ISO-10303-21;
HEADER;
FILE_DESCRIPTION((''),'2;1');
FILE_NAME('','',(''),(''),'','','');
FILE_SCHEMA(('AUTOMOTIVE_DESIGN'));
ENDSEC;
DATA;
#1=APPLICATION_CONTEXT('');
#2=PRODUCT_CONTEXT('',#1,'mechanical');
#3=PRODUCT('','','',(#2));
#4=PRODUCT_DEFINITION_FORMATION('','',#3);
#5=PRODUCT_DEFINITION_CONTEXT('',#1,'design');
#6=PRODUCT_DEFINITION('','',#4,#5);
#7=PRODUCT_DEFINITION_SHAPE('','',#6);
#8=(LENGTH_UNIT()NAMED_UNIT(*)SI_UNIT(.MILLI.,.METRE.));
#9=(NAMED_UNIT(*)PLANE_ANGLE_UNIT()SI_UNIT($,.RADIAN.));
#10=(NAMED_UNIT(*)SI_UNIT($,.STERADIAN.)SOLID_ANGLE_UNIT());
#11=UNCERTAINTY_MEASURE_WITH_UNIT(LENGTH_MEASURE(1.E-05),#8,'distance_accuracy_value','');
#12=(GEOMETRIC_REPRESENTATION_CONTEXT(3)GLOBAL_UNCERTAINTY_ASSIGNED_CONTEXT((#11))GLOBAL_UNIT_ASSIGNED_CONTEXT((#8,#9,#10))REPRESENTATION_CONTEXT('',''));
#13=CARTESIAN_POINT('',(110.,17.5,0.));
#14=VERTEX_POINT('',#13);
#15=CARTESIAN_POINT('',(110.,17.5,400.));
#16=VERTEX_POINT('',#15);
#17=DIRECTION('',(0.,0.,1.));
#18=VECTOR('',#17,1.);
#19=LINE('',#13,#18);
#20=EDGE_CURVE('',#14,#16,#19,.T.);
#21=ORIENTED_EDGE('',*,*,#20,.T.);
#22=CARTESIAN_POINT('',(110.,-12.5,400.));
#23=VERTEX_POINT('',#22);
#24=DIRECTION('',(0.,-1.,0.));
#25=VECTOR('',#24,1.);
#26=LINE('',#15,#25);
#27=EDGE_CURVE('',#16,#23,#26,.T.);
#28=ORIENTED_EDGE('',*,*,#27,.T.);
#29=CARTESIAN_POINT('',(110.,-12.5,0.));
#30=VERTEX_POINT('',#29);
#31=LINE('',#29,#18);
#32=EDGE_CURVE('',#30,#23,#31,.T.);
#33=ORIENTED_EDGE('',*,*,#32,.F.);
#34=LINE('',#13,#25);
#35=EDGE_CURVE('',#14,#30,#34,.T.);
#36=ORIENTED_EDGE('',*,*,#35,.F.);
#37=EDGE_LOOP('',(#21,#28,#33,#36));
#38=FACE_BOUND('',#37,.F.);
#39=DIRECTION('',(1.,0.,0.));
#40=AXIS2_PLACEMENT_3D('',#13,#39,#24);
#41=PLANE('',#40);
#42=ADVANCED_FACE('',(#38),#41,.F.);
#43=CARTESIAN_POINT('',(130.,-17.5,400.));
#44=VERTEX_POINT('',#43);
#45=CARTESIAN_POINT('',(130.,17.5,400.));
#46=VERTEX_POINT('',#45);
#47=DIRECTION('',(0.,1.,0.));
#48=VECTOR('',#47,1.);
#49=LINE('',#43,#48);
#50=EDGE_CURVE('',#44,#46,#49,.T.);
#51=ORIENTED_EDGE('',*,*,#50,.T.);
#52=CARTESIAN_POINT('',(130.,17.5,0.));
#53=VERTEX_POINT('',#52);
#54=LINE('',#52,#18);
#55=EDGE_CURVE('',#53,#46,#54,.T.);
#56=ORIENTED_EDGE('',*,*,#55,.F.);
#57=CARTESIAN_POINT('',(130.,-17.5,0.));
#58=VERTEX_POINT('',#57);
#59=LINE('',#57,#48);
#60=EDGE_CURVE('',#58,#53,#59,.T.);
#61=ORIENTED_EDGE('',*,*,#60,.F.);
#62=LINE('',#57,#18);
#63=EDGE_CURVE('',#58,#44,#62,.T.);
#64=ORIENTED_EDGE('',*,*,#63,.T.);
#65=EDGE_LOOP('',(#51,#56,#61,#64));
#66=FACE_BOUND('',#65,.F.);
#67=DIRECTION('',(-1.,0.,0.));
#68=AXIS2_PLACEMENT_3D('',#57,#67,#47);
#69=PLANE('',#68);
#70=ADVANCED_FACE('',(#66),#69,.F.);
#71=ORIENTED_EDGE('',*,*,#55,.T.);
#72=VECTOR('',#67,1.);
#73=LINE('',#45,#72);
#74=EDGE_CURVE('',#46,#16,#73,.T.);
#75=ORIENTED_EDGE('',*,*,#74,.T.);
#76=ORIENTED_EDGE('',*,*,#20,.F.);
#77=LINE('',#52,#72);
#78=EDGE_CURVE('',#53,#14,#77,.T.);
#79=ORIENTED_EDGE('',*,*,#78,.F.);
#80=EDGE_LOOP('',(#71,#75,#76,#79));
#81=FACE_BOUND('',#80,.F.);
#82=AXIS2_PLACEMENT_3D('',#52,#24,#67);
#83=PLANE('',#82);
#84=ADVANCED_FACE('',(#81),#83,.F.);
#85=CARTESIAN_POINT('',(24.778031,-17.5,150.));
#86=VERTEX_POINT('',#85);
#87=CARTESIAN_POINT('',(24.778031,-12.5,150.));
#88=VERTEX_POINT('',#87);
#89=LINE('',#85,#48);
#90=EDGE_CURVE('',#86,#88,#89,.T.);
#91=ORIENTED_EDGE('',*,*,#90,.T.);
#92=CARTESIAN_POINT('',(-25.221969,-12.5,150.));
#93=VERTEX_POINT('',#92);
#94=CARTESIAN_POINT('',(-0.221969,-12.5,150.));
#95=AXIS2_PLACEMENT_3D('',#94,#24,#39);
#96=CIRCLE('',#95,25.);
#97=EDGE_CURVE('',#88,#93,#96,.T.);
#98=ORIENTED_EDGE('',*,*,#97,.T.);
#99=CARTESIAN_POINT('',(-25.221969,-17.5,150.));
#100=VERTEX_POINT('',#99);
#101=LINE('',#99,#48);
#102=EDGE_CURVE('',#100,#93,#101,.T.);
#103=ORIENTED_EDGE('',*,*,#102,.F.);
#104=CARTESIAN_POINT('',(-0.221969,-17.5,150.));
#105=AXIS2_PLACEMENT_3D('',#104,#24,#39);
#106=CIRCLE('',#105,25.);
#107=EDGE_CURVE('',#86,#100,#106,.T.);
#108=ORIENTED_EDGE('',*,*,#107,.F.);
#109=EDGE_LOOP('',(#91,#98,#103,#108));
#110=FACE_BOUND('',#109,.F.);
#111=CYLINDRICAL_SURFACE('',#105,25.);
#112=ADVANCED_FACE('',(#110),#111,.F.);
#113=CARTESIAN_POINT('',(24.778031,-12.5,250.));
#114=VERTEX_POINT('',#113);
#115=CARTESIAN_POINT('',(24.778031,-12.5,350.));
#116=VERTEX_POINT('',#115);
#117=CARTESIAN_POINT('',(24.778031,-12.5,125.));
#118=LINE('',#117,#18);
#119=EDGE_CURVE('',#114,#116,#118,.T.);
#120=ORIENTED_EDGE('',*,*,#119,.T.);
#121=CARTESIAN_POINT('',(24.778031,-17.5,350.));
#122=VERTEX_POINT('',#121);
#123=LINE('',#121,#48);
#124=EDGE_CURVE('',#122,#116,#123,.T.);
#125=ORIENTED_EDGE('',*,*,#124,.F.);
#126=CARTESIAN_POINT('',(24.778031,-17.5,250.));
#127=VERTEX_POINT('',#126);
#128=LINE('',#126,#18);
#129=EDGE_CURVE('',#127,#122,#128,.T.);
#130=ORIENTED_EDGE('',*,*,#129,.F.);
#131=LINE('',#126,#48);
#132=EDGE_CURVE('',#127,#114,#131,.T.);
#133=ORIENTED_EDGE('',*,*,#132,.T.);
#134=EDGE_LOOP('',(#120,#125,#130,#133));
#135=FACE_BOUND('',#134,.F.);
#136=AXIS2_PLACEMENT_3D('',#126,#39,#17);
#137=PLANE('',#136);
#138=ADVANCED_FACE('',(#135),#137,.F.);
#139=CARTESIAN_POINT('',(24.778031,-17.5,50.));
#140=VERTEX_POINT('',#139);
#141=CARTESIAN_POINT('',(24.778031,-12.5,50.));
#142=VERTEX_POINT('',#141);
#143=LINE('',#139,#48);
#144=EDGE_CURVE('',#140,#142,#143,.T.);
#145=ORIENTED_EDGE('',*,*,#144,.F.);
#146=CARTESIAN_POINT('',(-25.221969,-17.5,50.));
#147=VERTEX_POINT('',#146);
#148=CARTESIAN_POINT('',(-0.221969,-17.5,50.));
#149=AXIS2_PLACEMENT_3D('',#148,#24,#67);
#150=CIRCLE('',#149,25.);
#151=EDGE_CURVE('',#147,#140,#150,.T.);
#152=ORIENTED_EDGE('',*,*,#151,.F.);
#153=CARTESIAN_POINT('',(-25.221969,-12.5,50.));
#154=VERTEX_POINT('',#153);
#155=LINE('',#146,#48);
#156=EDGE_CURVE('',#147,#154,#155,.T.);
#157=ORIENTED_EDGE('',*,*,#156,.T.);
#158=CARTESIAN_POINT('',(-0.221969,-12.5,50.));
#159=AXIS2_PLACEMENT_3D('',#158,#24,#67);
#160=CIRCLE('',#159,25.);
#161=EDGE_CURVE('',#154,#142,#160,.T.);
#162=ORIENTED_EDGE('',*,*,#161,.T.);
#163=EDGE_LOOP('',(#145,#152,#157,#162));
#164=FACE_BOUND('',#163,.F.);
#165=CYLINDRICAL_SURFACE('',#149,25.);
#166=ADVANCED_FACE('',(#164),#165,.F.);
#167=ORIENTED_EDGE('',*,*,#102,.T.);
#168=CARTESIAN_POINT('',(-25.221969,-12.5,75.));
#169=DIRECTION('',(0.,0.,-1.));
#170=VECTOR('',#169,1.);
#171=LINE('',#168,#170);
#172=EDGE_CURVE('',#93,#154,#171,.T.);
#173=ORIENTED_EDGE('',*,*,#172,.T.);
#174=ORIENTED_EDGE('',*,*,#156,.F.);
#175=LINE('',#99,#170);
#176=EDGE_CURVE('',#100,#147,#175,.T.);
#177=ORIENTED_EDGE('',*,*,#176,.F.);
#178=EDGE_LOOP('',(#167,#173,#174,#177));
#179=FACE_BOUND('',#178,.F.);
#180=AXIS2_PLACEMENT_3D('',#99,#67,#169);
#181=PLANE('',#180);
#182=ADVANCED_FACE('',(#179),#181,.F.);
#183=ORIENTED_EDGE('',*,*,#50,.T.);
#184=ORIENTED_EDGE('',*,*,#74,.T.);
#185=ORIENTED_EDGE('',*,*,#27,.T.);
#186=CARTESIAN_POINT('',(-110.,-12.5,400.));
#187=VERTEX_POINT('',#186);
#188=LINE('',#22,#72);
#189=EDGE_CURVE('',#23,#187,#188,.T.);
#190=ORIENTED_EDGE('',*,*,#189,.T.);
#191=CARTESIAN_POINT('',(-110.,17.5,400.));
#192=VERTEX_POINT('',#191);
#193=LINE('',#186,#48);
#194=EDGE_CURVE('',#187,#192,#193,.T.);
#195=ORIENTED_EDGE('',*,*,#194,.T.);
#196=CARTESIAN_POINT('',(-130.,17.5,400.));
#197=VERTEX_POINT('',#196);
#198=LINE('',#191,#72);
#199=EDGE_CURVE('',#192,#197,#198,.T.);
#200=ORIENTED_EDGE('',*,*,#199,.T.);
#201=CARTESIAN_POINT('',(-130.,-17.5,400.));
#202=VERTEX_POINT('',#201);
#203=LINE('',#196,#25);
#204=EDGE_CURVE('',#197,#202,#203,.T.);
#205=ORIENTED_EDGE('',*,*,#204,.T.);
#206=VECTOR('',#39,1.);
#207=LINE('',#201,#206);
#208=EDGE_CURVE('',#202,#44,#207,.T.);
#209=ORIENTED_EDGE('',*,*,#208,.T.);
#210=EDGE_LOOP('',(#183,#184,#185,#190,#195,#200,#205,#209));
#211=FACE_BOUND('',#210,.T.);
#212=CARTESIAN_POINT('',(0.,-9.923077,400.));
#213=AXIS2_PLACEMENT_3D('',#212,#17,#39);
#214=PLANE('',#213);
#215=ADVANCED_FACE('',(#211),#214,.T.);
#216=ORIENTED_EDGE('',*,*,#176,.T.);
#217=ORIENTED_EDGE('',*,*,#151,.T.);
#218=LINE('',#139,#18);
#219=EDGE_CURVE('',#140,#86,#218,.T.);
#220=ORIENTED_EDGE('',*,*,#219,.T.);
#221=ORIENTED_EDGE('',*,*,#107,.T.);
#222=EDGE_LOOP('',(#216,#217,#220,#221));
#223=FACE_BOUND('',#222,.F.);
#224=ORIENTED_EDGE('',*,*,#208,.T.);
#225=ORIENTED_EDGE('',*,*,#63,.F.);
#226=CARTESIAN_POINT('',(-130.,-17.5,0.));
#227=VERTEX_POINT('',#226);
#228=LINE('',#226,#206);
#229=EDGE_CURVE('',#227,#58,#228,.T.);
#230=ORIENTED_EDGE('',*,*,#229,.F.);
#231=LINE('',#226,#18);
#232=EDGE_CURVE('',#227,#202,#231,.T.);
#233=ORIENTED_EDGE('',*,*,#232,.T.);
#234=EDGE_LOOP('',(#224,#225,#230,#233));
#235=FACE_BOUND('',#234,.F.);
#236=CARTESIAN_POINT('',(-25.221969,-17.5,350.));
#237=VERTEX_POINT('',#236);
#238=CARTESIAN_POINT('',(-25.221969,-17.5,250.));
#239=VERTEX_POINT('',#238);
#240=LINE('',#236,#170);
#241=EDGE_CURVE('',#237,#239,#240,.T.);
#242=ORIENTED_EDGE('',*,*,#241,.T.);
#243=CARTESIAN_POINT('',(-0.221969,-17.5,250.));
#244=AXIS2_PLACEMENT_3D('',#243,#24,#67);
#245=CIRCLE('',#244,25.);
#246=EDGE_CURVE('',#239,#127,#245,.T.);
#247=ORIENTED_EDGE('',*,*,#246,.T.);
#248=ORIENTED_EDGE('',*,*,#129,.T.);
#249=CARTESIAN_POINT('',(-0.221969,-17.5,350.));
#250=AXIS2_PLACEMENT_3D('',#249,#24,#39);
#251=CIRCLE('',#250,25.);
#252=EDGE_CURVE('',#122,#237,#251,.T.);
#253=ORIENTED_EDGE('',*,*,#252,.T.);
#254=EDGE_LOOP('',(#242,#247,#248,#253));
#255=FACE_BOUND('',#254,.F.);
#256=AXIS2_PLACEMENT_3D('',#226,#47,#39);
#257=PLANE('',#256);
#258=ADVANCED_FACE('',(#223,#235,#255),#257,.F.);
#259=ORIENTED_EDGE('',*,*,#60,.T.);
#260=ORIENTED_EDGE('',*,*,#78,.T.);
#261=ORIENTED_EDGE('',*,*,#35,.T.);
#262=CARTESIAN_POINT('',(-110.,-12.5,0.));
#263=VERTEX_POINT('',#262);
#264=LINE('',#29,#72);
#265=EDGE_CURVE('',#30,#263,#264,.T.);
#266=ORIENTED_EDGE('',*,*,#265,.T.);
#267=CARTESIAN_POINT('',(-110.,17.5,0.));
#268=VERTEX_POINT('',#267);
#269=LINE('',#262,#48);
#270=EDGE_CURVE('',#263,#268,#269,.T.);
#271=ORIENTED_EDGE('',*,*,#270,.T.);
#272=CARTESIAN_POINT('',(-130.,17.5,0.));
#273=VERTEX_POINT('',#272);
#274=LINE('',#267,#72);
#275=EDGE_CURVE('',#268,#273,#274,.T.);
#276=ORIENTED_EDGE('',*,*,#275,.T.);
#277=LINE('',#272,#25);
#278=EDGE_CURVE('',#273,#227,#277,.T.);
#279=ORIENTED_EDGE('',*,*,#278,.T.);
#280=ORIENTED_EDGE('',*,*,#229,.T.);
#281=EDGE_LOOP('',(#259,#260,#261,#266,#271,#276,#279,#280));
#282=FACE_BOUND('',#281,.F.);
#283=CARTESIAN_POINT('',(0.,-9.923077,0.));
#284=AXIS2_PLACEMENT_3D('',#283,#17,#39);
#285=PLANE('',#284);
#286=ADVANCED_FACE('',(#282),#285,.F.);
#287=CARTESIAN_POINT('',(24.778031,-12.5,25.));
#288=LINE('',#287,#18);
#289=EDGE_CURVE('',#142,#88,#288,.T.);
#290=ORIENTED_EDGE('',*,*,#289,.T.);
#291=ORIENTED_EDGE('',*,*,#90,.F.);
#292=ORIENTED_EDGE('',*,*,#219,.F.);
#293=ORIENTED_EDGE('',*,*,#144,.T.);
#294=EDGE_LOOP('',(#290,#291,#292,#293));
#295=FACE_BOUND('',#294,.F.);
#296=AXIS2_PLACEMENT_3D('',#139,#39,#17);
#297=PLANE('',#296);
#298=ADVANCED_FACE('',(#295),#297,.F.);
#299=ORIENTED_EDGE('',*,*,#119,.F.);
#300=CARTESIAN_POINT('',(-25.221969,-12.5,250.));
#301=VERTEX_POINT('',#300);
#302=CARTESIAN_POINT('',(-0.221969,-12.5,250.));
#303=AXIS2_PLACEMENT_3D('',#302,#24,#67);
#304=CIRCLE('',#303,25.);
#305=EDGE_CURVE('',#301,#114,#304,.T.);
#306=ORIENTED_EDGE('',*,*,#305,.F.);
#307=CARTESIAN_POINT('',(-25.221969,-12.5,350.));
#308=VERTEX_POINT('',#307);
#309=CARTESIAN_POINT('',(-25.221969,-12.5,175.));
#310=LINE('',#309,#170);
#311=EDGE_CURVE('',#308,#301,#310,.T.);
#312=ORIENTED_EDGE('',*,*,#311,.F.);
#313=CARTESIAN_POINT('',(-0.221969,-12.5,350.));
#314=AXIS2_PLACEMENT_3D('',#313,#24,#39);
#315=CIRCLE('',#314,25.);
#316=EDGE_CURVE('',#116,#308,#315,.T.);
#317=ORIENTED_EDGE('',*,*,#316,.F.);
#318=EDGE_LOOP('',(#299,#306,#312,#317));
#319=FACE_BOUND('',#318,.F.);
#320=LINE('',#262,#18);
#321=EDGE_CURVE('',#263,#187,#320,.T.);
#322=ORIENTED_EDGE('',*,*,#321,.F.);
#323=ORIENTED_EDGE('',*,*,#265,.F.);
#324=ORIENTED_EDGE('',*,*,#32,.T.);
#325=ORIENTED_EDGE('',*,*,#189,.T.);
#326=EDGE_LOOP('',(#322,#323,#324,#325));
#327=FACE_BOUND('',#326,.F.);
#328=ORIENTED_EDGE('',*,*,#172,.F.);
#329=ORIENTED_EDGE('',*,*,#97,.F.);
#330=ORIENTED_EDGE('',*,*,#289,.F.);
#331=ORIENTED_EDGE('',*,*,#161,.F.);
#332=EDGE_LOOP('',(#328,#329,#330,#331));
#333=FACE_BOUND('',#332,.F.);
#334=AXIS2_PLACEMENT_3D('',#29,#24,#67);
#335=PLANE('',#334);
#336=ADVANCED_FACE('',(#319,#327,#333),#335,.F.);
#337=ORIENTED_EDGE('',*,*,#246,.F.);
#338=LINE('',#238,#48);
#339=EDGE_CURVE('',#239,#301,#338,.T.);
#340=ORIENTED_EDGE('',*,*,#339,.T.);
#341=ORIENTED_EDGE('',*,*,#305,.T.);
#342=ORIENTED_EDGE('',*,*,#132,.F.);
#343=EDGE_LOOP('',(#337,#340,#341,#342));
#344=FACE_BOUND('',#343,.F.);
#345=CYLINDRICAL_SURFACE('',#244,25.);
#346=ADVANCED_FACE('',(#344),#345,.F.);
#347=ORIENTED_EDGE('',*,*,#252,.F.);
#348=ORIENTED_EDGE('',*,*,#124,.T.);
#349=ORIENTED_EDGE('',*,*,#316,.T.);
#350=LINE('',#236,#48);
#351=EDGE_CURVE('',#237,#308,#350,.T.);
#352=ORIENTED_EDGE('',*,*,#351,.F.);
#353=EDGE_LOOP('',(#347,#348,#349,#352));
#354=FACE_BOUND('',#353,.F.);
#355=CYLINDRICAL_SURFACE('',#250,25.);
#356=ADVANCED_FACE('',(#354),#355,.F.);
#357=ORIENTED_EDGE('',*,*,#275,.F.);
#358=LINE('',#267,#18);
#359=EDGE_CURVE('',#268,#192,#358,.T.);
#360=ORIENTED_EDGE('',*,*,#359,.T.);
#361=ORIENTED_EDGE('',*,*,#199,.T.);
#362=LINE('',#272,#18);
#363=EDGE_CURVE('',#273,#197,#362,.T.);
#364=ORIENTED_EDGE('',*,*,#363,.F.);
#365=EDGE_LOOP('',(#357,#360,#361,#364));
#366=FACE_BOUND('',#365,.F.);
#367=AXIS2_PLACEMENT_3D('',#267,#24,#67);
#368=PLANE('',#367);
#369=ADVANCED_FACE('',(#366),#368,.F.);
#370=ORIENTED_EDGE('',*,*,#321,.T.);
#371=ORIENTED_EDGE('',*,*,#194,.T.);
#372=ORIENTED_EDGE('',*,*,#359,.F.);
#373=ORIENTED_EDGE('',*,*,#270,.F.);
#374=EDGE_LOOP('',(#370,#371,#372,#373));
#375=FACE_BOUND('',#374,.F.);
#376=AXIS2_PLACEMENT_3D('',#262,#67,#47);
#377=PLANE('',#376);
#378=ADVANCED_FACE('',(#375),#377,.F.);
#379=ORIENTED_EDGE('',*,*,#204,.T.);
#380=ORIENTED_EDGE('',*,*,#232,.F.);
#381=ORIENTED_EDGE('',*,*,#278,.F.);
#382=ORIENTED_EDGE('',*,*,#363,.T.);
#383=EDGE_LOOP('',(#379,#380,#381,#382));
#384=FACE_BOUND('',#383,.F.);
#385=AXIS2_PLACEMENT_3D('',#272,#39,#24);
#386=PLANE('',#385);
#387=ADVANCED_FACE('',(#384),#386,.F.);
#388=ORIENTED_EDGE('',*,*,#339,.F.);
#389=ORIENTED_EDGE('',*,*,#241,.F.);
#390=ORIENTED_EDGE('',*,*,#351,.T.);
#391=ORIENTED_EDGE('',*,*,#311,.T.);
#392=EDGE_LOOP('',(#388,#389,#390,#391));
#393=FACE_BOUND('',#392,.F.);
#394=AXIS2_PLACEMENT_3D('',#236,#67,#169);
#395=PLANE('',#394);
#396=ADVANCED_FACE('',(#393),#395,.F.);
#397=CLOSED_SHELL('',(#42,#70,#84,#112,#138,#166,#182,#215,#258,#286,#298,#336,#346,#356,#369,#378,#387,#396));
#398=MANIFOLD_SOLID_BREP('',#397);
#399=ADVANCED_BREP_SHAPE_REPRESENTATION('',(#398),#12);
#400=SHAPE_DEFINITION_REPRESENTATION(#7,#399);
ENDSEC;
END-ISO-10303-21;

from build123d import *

# Parameters (mm, degrees)
F1_DEPTH = 400
F3_DEPTH = 25


with BuildPart() as f1:
    # F0 (on Top) → F1 (new body)
    with BuildSketch(Plane.XY):
        Polygon((-130, 17.5), (-130, -17.5), (130, -17.5), (130, 17.5), (110, 17.5), (110, -12.5), (-110, -12.5), (-110, 17.5), align=None)
    extrude(amount=F1_DEPTH)

    # F2 (on face) → F3 (cut)
    with BuildSketch(Plane.XZ.offset(17.5)):
        with BuildLine():
            Line((-25.221969, 350), (-25.221969, 250))
            ThreePointArc((-25.221969, 250), (-0.221969, 225), (24.778031, 250))
            Line((24.778031, 250), (24.778031, 350))
            ThreePointArc((24.778031, 350), (-0.221969, 375), (-25.221969, 350))
        make_face()
        with BuildLine():
            Line((24.778031, 50), (24.778031, 150))
            ThreePointArc((24.778031, 150), (-0.221969, 175), (-25.221969, 150))
            Line((-25.221969, 150), (-25.221969, 50))
            ThreePointArc((-25.221969, 50), (-0.221969, 25), (24.778031, 50))
        make_face()
    extrude(amount=-F3_DEPTH, mode=Mode.SUBTRACT)


solid = f1.part
